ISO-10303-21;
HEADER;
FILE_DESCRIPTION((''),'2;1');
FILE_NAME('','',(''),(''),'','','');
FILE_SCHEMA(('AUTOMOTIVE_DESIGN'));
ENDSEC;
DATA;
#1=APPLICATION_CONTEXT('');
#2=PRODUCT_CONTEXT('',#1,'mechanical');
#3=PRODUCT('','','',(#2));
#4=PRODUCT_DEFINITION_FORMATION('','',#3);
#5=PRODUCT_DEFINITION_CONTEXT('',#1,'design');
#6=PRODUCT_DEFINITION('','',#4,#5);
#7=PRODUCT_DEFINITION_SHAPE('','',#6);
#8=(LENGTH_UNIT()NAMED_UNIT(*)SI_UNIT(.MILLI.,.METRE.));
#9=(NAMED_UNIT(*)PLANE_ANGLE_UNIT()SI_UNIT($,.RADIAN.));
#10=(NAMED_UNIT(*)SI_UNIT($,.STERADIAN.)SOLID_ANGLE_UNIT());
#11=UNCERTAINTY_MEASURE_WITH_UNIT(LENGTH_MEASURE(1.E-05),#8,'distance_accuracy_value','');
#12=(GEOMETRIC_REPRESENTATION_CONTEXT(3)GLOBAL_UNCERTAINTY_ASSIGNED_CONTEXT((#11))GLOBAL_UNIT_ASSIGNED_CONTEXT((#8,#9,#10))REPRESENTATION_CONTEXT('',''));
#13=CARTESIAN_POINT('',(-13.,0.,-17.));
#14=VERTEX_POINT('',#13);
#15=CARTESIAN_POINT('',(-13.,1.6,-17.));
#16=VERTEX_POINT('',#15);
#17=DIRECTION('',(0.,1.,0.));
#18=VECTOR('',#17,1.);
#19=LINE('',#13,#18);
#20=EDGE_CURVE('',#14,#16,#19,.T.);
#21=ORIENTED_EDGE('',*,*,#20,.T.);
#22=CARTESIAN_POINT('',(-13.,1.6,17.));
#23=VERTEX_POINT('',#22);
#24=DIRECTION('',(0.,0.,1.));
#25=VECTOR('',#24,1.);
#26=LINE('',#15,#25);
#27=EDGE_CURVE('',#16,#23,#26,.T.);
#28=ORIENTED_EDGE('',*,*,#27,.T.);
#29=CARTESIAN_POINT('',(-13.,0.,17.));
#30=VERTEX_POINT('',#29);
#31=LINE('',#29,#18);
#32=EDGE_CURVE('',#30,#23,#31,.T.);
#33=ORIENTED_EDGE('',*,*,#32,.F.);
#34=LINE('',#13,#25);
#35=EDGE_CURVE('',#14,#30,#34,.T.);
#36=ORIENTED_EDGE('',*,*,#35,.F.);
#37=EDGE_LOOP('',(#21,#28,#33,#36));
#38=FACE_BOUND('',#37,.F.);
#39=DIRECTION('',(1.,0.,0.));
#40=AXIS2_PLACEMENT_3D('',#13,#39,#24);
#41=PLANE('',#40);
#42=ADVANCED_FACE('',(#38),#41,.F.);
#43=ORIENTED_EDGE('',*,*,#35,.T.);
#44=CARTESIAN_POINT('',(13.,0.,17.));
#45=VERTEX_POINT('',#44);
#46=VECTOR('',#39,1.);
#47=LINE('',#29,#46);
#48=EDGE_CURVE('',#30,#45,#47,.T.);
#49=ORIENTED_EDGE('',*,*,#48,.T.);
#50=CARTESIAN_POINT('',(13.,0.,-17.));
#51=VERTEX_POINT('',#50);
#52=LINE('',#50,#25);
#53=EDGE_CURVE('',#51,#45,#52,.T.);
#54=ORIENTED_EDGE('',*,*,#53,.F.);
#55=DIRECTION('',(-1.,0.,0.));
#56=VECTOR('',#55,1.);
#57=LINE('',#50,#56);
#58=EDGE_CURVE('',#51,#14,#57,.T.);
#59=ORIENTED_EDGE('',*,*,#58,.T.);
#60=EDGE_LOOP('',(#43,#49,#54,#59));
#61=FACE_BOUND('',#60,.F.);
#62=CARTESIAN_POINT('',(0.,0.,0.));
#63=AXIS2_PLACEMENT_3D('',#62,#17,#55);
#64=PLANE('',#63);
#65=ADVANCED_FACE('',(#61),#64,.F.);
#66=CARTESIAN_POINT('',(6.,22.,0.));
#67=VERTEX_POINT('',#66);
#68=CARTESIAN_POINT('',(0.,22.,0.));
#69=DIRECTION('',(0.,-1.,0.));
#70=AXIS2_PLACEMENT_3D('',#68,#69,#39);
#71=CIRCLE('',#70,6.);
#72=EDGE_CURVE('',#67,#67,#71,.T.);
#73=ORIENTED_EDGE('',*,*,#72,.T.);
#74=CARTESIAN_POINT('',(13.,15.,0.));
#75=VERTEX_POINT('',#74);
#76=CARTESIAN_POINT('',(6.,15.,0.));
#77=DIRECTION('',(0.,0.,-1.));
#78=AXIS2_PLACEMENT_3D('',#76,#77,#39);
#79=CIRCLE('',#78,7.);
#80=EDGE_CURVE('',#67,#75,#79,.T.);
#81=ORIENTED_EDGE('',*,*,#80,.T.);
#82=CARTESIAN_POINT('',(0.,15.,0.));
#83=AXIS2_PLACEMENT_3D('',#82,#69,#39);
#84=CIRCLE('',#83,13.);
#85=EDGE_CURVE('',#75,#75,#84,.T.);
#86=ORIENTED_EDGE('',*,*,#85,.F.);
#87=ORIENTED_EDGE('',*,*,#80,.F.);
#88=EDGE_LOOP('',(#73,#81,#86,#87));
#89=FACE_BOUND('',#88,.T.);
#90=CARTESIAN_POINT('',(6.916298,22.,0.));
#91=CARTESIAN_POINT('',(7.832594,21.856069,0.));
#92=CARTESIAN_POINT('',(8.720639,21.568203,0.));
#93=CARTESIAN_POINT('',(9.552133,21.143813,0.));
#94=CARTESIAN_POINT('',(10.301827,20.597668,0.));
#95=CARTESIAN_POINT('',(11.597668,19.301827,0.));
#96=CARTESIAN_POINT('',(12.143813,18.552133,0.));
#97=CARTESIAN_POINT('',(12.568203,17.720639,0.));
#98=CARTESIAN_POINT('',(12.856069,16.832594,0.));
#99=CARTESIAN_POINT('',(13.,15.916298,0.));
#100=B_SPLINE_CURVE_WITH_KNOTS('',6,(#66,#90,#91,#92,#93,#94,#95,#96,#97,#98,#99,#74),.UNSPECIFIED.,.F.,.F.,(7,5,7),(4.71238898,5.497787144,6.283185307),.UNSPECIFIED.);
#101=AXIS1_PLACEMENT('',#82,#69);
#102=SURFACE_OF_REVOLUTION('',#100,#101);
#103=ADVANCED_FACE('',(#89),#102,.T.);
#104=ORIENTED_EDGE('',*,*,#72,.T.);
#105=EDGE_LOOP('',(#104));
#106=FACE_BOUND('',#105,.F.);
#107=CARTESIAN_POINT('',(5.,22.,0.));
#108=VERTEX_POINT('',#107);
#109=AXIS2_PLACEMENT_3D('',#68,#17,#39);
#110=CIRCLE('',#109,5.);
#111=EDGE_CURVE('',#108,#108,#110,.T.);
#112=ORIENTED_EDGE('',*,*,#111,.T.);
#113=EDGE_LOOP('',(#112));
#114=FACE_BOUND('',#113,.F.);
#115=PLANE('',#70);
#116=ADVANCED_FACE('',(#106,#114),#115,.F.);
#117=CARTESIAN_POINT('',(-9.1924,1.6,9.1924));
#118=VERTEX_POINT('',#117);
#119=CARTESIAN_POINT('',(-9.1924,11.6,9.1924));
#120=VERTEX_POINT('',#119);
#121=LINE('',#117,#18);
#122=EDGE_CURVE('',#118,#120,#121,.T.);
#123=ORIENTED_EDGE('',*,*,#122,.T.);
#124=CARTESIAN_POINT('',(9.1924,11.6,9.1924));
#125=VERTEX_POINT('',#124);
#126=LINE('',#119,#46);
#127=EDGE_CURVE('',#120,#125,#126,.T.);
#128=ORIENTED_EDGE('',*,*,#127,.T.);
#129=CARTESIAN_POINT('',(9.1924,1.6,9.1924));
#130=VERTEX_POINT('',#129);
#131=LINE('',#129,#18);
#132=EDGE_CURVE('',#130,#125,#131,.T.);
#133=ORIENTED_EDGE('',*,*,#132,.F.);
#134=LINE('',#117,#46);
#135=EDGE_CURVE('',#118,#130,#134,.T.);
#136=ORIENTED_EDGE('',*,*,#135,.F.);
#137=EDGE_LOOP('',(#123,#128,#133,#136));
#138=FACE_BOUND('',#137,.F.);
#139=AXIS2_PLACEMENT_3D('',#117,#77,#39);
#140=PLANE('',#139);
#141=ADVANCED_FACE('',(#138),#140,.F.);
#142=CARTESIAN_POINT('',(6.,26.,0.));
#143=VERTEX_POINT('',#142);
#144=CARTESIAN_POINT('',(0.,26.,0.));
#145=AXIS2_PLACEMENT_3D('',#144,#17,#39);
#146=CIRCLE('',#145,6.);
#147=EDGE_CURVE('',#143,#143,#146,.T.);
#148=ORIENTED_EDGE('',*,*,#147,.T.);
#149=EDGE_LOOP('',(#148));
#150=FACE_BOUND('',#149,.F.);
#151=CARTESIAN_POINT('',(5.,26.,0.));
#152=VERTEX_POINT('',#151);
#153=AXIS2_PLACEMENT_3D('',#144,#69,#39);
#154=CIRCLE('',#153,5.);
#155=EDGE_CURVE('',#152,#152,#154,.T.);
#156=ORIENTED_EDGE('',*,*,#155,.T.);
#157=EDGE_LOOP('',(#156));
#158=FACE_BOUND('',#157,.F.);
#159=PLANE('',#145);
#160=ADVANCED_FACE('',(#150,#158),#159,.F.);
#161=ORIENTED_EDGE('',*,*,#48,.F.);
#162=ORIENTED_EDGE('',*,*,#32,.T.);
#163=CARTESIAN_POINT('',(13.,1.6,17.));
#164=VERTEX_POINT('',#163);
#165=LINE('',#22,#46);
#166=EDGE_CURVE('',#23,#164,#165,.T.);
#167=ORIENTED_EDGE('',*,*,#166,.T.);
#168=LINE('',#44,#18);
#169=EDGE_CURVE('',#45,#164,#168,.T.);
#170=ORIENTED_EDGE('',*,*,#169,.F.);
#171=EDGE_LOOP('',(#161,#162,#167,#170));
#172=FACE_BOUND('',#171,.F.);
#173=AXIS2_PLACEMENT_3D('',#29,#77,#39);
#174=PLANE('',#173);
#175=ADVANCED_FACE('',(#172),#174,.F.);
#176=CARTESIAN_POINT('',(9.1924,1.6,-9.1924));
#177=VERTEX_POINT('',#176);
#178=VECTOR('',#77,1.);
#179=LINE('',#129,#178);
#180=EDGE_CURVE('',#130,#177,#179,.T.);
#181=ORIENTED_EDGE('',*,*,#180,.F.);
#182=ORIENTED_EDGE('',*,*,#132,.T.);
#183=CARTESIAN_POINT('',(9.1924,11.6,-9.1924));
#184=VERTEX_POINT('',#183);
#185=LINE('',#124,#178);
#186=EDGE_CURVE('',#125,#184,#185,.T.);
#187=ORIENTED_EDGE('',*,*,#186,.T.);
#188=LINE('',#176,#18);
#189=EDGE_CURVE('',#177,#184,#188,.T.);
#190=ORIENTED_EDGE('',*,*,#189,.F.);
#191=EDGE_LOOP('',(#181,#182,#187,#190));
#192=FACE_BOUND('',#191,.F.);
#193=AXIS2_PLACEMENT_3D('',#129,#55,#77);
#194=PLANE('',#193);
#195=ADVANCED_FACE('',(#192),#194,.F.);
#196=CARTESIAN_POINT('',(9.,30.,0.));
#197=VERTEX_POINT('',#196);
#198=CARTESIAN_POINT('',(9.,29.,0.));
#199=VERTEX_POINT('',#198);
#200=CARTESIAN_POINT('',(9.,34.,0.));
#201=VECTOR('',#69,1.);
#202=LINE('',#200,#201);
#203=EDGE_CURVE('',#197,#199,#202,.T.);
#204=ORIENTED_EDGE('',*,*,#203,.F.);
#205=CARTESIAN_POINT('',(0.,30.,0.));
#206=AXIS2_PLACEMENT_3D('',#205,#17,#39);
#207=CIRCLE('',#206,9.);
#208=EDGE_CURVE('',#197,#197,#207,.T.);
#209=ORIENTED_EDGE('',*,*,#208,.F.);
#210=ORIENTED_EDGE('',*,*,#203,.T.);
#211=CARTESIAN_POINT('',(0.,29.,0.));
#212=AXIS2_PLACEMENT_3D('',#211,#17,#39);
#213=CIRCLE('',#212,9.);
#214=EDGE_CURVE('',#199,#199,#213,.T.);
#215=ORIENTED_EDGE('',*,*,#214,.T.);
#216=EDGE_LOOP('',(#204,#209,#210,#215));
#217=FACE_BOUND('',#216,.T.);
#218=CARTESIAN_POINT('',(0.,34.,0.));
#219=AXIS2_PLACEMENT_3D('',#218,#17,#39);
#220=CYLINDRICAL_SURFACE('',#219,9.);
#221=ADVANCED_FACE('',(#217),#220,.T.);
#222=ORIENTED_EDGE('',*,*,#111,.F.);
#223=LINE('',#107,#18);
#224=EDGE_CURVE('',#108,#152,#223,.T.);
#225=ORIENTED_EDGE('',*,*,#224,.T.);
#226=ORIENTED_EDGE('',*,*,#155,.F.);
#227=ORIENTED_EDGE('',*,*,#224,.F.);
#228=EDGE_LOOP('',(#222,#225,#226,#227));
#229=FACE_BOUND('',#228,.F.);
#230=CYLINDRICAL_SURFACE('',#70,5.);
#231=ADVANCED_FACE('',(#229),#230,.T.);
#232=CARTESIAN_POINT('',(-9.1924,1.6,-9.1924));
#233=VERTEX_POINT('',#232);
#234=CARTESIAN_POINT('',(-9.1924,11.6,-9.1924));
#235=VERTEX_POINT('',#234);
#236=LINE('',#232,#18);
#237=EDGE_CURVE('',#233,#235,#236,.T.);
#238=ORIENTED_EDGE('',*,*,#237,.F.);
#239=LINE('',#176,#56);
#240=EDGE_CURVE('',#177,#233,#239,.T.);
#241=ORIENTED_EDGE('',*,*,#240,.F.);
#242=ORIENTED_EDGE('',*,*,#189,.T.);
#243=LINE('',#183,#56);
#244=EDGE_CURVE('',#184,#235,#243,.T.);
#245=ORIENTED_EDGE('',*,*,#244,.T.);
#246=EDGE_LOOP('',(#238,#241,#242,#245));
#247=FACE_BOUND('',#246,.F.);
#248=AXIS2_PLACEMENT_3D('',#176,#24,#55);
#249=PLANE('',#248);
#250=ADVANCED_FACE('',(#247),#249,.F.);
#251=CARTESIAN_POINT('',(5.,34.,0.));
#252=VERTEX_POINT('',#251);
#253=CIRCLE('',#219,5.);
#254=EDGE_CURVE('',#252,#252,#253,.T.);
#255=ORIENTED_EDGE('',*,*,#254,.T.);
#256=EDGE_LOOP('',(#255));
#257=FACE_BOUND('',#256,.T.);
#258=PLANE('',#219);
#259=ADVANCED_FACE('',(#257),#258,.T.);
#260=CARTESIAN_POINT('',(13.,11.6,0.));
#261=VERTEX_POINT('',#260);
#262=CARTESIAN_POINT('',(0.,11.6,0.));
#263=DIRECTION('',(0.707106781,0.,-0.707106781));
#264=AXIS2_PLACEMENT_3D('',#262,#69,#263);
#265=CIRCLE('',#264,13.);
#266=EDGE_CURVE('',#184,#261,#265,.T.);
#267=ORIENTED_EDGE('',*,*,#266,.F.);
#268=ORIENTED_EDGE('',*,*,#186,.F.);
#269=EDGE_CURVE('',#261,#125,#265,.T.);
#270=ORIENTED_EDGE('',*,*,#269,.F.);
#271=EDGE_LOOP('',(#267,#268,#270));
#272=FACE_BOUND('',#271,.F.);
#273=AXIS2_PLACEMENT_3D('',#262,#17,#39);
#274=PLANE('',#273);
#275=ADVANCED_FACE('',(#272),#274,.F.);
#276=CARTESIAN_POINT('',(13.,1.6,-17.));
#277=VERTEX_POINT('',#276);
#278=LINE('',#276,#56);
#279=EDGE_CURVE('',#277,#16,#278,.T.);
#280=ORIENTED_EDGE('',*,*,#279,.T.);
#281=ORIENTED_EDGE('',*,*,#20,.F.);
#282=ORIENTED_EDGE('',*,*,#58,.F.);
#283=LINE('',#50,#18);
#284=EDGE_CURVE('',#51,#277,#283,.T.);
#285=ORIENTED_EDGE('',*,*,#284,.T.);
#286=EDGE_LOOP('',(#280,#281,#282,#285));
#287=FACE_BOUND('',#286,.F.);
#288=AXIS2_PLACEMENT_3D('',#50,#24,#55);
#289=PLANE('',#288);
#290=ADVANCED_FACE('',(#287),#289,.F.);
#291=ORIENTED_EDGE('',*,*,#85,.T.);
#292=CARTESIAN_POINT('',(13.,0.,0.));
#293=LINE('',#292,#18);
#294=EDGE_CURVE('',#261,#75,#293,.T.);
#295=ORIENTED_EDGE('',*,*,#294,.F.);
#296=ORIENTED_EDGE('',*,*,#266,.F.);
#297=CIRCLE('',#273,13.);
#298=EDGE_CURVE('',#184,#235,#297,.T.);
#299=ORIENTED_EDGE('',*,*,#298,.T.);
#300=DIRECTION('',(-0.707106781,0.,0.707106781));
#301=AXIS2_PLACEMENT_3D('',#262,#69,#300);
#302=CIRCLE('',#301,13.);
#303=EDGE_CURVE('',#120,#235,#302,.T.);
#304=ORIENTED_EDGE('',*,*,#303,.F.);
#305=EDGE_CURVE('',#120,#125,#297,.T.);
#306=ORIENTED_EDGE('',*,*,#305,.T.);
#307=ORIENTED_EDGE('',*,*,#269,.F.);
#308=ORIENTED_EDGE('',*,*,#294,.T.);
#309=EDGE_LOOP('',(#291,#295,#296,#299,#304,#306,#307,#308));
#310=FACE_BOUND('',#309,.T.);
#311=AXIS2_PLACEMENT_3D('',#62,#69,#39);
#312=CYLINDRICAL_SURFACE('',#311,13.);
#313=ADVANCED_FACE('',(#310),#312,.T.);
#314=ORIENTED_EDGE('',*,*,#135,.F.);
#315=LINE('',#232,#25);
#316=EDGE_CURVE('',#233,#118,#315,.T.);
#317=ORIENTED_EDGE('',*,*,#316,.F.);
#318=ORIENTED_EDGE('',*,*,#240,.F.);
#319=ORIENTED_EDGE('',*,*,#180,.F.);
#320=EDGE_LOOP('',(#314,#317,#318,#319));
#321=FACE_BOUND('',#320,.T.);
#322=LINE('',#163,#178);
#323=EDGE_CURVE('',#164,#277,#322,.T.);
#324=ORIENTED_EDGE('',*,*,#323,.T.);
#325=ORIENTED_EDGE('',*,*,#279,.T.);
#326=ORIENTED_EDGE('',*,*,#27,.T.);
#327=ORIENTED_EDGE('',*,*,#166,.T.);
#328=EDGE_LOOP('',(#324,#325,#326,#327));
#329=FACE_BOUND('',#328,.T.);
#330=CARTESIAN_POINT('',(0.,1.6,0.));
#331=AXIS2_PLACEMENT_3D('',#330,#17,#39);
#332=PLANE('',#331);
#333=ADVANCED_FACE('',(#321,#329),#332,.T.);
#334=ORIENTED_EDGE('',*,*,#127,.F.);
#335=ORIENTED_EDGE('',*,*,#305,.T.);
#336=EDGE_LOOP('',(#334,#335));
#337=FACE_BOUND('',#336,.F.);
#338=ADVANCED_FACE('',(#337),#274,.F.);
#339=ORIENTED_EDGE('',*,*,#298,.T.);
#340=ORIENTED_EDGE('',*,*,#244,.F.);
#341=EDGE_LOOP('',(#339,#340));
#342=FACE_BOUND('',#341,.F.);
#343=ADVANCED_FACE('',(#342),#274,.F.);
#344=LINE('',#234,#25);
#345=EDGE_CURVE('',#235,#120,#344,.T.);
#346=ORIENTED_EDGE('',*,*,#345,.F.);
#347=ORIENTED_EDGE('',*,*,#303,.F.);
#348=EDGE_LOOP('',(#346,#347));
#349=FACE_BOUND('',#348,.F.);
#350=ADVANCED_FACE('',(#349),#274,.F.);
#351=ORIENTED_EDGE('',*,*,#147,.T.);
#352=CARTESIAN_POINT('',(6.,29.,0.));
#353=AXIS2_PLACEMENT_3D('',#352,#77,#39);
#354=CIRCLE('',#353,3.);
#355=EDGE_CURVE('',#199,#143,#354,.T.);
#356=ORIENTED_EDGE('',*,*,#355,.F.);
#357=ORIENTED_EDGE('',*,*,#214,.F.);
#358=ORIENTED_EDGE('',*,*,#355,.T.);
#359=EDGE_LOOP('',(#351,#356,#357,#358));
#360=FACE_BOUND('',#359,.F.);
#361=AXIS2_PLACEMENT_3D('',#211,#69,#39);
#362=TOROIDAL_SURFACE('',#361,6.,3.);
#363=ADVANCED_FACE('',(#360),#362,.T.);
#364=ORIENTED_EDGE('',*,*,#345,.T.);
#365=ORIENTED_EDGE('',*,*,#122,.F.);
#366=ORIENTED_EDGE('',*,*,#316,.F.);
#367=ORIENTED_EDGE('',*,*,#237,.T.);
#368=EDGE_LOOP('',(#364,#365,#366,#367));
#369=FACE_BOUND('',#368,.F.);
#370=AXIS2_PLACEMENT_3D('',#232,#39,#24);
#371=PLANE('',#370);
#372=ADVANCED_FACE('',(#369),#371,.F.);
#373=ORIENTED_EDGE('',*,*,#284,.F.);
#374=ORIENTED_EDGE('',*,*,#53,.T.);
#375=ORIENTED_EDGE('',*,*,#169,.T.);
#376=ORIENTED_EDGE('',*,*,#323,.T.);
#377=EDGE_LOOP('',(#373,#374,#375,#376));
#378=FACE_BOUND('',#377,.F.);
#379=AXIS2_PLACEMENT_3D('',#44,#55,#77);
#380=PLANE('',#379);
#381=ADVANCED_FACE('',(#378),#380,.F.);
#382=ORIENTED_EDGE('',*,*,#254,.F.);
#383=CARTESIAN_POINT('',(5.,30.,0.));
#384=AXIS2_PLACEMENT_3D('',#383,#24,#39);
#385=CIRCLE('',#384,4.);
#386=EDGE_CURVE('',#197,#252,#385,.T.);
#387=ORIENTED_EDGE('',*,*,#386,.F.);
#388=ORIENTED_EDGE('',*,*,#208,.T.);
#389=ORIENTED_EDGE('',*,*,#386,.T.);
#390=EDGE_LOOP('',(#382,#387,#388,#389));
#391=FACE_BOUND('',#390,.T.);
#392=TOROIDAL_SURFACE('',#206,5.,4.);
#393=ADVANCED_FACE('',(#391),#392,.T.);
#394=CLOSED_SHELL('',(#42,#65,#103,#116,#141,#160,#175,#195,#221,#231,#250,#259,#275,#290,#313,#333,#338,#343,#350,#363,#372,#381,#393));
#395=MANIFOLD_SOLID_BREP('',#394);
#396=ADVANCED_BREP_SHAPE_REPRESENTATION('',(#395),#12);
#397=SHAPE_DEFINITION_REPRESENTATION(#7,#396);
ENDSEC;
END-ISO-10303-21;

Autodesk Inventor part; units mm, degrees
ref_plane "YZ Plane" through (0, 0, 0) normal (1, 0, 0) x (0, 1, 0)
ref_plane "XZ Plane" through (0, 0, 0) normal (0, 1, 0) x (-1, 0, 0)
ref_plane "XY Plane" through (0, 0, 0) normal (0, 0, 1) x (1, 0, 0)
sketch "スケッチ1" plane through (0, 0, 0) normal (0, 1, 0) x (-1, 0, 0)
  line L0 (13, 17) -> (-13, 17)
  line L1 (-13, 17) -> (-13, -17)
  line L2 (-13, -17) -> (13, -17)
  line L3 (13, -17) -> (13, 17)
  point P0 (0, 0)
  point P1 (0, 17)
  point P2 (13, 0)
  dimension "d0" = 34
  dimension "d1" = 26
extrude "押し出し1" add sketch "スケッチ1" along normal blind 1.6
sketch "スケッチ2" plane through (0, 0, 0) normal (0, -1, 0) x (1, 0, 0)
  circle A0 centre (0, 0) radius 13
  line L0 (13, 17) -> (13, -17) projected
extrude "押し出し2" add sketch "スケッチ2" against normal blind 22
sketch "スケッチ3" plane through (0, 22, 0) normal (0, 1, 0) x (1, 0, 0)
  circle A0 centre (0, 0) radius 5
  dimension "d6" = 10
extrude "押し出し3" add sketch "スケッチ3" along normal blind 12
sketch "スケッチ4" plane through (0, 34, 0) normal (0, 1, 0) x (1, 0, 0)
  circle A0 centre (0, 0) radius 9
  dimension "d9" = 18
extrude "押し出し4" add sketch "スケッチ4" against normal blind 8
sketch "スケッチ5" plane through (0, 1.6, 0) normal (0, 1, 0) x (1, 0, 0)
  circle A0 centre (0, 0) radius 13 projected
  line L0 (-9.1924, -9.1924) -> (9.1924, -9.1924)
  line L1 (9.1924, -9.1924) -> (9.1924, 9.1924)
  line L2 (9.1924, 9.1924) -> (-9.1924, 9.1924)
  line L3 (-9.1924, 9.1924) -> (-9.1924, -9.1924)
  arc A1 (13, 0) -> (-13, 0) centre (0, 0) ccw projected
  arc A2 (-13, 0) -> (13, 0) centre (0, 0) ccw projected
extrude "押し出し5" cut sketch "スケッチ5" along normal blind 10 contours A0 L1 | L2 A0 | A0 L0 | L3 A0
fillet "フィレット1" radius 7 1 edges at (-13, 22, 0)
fillet "フィレット2" radius 4 1 edges at (-9, 34, 0)
fillet "フィレット3" radius 3 1 edges at (-9, 26, 0)
properties part number "stick"
